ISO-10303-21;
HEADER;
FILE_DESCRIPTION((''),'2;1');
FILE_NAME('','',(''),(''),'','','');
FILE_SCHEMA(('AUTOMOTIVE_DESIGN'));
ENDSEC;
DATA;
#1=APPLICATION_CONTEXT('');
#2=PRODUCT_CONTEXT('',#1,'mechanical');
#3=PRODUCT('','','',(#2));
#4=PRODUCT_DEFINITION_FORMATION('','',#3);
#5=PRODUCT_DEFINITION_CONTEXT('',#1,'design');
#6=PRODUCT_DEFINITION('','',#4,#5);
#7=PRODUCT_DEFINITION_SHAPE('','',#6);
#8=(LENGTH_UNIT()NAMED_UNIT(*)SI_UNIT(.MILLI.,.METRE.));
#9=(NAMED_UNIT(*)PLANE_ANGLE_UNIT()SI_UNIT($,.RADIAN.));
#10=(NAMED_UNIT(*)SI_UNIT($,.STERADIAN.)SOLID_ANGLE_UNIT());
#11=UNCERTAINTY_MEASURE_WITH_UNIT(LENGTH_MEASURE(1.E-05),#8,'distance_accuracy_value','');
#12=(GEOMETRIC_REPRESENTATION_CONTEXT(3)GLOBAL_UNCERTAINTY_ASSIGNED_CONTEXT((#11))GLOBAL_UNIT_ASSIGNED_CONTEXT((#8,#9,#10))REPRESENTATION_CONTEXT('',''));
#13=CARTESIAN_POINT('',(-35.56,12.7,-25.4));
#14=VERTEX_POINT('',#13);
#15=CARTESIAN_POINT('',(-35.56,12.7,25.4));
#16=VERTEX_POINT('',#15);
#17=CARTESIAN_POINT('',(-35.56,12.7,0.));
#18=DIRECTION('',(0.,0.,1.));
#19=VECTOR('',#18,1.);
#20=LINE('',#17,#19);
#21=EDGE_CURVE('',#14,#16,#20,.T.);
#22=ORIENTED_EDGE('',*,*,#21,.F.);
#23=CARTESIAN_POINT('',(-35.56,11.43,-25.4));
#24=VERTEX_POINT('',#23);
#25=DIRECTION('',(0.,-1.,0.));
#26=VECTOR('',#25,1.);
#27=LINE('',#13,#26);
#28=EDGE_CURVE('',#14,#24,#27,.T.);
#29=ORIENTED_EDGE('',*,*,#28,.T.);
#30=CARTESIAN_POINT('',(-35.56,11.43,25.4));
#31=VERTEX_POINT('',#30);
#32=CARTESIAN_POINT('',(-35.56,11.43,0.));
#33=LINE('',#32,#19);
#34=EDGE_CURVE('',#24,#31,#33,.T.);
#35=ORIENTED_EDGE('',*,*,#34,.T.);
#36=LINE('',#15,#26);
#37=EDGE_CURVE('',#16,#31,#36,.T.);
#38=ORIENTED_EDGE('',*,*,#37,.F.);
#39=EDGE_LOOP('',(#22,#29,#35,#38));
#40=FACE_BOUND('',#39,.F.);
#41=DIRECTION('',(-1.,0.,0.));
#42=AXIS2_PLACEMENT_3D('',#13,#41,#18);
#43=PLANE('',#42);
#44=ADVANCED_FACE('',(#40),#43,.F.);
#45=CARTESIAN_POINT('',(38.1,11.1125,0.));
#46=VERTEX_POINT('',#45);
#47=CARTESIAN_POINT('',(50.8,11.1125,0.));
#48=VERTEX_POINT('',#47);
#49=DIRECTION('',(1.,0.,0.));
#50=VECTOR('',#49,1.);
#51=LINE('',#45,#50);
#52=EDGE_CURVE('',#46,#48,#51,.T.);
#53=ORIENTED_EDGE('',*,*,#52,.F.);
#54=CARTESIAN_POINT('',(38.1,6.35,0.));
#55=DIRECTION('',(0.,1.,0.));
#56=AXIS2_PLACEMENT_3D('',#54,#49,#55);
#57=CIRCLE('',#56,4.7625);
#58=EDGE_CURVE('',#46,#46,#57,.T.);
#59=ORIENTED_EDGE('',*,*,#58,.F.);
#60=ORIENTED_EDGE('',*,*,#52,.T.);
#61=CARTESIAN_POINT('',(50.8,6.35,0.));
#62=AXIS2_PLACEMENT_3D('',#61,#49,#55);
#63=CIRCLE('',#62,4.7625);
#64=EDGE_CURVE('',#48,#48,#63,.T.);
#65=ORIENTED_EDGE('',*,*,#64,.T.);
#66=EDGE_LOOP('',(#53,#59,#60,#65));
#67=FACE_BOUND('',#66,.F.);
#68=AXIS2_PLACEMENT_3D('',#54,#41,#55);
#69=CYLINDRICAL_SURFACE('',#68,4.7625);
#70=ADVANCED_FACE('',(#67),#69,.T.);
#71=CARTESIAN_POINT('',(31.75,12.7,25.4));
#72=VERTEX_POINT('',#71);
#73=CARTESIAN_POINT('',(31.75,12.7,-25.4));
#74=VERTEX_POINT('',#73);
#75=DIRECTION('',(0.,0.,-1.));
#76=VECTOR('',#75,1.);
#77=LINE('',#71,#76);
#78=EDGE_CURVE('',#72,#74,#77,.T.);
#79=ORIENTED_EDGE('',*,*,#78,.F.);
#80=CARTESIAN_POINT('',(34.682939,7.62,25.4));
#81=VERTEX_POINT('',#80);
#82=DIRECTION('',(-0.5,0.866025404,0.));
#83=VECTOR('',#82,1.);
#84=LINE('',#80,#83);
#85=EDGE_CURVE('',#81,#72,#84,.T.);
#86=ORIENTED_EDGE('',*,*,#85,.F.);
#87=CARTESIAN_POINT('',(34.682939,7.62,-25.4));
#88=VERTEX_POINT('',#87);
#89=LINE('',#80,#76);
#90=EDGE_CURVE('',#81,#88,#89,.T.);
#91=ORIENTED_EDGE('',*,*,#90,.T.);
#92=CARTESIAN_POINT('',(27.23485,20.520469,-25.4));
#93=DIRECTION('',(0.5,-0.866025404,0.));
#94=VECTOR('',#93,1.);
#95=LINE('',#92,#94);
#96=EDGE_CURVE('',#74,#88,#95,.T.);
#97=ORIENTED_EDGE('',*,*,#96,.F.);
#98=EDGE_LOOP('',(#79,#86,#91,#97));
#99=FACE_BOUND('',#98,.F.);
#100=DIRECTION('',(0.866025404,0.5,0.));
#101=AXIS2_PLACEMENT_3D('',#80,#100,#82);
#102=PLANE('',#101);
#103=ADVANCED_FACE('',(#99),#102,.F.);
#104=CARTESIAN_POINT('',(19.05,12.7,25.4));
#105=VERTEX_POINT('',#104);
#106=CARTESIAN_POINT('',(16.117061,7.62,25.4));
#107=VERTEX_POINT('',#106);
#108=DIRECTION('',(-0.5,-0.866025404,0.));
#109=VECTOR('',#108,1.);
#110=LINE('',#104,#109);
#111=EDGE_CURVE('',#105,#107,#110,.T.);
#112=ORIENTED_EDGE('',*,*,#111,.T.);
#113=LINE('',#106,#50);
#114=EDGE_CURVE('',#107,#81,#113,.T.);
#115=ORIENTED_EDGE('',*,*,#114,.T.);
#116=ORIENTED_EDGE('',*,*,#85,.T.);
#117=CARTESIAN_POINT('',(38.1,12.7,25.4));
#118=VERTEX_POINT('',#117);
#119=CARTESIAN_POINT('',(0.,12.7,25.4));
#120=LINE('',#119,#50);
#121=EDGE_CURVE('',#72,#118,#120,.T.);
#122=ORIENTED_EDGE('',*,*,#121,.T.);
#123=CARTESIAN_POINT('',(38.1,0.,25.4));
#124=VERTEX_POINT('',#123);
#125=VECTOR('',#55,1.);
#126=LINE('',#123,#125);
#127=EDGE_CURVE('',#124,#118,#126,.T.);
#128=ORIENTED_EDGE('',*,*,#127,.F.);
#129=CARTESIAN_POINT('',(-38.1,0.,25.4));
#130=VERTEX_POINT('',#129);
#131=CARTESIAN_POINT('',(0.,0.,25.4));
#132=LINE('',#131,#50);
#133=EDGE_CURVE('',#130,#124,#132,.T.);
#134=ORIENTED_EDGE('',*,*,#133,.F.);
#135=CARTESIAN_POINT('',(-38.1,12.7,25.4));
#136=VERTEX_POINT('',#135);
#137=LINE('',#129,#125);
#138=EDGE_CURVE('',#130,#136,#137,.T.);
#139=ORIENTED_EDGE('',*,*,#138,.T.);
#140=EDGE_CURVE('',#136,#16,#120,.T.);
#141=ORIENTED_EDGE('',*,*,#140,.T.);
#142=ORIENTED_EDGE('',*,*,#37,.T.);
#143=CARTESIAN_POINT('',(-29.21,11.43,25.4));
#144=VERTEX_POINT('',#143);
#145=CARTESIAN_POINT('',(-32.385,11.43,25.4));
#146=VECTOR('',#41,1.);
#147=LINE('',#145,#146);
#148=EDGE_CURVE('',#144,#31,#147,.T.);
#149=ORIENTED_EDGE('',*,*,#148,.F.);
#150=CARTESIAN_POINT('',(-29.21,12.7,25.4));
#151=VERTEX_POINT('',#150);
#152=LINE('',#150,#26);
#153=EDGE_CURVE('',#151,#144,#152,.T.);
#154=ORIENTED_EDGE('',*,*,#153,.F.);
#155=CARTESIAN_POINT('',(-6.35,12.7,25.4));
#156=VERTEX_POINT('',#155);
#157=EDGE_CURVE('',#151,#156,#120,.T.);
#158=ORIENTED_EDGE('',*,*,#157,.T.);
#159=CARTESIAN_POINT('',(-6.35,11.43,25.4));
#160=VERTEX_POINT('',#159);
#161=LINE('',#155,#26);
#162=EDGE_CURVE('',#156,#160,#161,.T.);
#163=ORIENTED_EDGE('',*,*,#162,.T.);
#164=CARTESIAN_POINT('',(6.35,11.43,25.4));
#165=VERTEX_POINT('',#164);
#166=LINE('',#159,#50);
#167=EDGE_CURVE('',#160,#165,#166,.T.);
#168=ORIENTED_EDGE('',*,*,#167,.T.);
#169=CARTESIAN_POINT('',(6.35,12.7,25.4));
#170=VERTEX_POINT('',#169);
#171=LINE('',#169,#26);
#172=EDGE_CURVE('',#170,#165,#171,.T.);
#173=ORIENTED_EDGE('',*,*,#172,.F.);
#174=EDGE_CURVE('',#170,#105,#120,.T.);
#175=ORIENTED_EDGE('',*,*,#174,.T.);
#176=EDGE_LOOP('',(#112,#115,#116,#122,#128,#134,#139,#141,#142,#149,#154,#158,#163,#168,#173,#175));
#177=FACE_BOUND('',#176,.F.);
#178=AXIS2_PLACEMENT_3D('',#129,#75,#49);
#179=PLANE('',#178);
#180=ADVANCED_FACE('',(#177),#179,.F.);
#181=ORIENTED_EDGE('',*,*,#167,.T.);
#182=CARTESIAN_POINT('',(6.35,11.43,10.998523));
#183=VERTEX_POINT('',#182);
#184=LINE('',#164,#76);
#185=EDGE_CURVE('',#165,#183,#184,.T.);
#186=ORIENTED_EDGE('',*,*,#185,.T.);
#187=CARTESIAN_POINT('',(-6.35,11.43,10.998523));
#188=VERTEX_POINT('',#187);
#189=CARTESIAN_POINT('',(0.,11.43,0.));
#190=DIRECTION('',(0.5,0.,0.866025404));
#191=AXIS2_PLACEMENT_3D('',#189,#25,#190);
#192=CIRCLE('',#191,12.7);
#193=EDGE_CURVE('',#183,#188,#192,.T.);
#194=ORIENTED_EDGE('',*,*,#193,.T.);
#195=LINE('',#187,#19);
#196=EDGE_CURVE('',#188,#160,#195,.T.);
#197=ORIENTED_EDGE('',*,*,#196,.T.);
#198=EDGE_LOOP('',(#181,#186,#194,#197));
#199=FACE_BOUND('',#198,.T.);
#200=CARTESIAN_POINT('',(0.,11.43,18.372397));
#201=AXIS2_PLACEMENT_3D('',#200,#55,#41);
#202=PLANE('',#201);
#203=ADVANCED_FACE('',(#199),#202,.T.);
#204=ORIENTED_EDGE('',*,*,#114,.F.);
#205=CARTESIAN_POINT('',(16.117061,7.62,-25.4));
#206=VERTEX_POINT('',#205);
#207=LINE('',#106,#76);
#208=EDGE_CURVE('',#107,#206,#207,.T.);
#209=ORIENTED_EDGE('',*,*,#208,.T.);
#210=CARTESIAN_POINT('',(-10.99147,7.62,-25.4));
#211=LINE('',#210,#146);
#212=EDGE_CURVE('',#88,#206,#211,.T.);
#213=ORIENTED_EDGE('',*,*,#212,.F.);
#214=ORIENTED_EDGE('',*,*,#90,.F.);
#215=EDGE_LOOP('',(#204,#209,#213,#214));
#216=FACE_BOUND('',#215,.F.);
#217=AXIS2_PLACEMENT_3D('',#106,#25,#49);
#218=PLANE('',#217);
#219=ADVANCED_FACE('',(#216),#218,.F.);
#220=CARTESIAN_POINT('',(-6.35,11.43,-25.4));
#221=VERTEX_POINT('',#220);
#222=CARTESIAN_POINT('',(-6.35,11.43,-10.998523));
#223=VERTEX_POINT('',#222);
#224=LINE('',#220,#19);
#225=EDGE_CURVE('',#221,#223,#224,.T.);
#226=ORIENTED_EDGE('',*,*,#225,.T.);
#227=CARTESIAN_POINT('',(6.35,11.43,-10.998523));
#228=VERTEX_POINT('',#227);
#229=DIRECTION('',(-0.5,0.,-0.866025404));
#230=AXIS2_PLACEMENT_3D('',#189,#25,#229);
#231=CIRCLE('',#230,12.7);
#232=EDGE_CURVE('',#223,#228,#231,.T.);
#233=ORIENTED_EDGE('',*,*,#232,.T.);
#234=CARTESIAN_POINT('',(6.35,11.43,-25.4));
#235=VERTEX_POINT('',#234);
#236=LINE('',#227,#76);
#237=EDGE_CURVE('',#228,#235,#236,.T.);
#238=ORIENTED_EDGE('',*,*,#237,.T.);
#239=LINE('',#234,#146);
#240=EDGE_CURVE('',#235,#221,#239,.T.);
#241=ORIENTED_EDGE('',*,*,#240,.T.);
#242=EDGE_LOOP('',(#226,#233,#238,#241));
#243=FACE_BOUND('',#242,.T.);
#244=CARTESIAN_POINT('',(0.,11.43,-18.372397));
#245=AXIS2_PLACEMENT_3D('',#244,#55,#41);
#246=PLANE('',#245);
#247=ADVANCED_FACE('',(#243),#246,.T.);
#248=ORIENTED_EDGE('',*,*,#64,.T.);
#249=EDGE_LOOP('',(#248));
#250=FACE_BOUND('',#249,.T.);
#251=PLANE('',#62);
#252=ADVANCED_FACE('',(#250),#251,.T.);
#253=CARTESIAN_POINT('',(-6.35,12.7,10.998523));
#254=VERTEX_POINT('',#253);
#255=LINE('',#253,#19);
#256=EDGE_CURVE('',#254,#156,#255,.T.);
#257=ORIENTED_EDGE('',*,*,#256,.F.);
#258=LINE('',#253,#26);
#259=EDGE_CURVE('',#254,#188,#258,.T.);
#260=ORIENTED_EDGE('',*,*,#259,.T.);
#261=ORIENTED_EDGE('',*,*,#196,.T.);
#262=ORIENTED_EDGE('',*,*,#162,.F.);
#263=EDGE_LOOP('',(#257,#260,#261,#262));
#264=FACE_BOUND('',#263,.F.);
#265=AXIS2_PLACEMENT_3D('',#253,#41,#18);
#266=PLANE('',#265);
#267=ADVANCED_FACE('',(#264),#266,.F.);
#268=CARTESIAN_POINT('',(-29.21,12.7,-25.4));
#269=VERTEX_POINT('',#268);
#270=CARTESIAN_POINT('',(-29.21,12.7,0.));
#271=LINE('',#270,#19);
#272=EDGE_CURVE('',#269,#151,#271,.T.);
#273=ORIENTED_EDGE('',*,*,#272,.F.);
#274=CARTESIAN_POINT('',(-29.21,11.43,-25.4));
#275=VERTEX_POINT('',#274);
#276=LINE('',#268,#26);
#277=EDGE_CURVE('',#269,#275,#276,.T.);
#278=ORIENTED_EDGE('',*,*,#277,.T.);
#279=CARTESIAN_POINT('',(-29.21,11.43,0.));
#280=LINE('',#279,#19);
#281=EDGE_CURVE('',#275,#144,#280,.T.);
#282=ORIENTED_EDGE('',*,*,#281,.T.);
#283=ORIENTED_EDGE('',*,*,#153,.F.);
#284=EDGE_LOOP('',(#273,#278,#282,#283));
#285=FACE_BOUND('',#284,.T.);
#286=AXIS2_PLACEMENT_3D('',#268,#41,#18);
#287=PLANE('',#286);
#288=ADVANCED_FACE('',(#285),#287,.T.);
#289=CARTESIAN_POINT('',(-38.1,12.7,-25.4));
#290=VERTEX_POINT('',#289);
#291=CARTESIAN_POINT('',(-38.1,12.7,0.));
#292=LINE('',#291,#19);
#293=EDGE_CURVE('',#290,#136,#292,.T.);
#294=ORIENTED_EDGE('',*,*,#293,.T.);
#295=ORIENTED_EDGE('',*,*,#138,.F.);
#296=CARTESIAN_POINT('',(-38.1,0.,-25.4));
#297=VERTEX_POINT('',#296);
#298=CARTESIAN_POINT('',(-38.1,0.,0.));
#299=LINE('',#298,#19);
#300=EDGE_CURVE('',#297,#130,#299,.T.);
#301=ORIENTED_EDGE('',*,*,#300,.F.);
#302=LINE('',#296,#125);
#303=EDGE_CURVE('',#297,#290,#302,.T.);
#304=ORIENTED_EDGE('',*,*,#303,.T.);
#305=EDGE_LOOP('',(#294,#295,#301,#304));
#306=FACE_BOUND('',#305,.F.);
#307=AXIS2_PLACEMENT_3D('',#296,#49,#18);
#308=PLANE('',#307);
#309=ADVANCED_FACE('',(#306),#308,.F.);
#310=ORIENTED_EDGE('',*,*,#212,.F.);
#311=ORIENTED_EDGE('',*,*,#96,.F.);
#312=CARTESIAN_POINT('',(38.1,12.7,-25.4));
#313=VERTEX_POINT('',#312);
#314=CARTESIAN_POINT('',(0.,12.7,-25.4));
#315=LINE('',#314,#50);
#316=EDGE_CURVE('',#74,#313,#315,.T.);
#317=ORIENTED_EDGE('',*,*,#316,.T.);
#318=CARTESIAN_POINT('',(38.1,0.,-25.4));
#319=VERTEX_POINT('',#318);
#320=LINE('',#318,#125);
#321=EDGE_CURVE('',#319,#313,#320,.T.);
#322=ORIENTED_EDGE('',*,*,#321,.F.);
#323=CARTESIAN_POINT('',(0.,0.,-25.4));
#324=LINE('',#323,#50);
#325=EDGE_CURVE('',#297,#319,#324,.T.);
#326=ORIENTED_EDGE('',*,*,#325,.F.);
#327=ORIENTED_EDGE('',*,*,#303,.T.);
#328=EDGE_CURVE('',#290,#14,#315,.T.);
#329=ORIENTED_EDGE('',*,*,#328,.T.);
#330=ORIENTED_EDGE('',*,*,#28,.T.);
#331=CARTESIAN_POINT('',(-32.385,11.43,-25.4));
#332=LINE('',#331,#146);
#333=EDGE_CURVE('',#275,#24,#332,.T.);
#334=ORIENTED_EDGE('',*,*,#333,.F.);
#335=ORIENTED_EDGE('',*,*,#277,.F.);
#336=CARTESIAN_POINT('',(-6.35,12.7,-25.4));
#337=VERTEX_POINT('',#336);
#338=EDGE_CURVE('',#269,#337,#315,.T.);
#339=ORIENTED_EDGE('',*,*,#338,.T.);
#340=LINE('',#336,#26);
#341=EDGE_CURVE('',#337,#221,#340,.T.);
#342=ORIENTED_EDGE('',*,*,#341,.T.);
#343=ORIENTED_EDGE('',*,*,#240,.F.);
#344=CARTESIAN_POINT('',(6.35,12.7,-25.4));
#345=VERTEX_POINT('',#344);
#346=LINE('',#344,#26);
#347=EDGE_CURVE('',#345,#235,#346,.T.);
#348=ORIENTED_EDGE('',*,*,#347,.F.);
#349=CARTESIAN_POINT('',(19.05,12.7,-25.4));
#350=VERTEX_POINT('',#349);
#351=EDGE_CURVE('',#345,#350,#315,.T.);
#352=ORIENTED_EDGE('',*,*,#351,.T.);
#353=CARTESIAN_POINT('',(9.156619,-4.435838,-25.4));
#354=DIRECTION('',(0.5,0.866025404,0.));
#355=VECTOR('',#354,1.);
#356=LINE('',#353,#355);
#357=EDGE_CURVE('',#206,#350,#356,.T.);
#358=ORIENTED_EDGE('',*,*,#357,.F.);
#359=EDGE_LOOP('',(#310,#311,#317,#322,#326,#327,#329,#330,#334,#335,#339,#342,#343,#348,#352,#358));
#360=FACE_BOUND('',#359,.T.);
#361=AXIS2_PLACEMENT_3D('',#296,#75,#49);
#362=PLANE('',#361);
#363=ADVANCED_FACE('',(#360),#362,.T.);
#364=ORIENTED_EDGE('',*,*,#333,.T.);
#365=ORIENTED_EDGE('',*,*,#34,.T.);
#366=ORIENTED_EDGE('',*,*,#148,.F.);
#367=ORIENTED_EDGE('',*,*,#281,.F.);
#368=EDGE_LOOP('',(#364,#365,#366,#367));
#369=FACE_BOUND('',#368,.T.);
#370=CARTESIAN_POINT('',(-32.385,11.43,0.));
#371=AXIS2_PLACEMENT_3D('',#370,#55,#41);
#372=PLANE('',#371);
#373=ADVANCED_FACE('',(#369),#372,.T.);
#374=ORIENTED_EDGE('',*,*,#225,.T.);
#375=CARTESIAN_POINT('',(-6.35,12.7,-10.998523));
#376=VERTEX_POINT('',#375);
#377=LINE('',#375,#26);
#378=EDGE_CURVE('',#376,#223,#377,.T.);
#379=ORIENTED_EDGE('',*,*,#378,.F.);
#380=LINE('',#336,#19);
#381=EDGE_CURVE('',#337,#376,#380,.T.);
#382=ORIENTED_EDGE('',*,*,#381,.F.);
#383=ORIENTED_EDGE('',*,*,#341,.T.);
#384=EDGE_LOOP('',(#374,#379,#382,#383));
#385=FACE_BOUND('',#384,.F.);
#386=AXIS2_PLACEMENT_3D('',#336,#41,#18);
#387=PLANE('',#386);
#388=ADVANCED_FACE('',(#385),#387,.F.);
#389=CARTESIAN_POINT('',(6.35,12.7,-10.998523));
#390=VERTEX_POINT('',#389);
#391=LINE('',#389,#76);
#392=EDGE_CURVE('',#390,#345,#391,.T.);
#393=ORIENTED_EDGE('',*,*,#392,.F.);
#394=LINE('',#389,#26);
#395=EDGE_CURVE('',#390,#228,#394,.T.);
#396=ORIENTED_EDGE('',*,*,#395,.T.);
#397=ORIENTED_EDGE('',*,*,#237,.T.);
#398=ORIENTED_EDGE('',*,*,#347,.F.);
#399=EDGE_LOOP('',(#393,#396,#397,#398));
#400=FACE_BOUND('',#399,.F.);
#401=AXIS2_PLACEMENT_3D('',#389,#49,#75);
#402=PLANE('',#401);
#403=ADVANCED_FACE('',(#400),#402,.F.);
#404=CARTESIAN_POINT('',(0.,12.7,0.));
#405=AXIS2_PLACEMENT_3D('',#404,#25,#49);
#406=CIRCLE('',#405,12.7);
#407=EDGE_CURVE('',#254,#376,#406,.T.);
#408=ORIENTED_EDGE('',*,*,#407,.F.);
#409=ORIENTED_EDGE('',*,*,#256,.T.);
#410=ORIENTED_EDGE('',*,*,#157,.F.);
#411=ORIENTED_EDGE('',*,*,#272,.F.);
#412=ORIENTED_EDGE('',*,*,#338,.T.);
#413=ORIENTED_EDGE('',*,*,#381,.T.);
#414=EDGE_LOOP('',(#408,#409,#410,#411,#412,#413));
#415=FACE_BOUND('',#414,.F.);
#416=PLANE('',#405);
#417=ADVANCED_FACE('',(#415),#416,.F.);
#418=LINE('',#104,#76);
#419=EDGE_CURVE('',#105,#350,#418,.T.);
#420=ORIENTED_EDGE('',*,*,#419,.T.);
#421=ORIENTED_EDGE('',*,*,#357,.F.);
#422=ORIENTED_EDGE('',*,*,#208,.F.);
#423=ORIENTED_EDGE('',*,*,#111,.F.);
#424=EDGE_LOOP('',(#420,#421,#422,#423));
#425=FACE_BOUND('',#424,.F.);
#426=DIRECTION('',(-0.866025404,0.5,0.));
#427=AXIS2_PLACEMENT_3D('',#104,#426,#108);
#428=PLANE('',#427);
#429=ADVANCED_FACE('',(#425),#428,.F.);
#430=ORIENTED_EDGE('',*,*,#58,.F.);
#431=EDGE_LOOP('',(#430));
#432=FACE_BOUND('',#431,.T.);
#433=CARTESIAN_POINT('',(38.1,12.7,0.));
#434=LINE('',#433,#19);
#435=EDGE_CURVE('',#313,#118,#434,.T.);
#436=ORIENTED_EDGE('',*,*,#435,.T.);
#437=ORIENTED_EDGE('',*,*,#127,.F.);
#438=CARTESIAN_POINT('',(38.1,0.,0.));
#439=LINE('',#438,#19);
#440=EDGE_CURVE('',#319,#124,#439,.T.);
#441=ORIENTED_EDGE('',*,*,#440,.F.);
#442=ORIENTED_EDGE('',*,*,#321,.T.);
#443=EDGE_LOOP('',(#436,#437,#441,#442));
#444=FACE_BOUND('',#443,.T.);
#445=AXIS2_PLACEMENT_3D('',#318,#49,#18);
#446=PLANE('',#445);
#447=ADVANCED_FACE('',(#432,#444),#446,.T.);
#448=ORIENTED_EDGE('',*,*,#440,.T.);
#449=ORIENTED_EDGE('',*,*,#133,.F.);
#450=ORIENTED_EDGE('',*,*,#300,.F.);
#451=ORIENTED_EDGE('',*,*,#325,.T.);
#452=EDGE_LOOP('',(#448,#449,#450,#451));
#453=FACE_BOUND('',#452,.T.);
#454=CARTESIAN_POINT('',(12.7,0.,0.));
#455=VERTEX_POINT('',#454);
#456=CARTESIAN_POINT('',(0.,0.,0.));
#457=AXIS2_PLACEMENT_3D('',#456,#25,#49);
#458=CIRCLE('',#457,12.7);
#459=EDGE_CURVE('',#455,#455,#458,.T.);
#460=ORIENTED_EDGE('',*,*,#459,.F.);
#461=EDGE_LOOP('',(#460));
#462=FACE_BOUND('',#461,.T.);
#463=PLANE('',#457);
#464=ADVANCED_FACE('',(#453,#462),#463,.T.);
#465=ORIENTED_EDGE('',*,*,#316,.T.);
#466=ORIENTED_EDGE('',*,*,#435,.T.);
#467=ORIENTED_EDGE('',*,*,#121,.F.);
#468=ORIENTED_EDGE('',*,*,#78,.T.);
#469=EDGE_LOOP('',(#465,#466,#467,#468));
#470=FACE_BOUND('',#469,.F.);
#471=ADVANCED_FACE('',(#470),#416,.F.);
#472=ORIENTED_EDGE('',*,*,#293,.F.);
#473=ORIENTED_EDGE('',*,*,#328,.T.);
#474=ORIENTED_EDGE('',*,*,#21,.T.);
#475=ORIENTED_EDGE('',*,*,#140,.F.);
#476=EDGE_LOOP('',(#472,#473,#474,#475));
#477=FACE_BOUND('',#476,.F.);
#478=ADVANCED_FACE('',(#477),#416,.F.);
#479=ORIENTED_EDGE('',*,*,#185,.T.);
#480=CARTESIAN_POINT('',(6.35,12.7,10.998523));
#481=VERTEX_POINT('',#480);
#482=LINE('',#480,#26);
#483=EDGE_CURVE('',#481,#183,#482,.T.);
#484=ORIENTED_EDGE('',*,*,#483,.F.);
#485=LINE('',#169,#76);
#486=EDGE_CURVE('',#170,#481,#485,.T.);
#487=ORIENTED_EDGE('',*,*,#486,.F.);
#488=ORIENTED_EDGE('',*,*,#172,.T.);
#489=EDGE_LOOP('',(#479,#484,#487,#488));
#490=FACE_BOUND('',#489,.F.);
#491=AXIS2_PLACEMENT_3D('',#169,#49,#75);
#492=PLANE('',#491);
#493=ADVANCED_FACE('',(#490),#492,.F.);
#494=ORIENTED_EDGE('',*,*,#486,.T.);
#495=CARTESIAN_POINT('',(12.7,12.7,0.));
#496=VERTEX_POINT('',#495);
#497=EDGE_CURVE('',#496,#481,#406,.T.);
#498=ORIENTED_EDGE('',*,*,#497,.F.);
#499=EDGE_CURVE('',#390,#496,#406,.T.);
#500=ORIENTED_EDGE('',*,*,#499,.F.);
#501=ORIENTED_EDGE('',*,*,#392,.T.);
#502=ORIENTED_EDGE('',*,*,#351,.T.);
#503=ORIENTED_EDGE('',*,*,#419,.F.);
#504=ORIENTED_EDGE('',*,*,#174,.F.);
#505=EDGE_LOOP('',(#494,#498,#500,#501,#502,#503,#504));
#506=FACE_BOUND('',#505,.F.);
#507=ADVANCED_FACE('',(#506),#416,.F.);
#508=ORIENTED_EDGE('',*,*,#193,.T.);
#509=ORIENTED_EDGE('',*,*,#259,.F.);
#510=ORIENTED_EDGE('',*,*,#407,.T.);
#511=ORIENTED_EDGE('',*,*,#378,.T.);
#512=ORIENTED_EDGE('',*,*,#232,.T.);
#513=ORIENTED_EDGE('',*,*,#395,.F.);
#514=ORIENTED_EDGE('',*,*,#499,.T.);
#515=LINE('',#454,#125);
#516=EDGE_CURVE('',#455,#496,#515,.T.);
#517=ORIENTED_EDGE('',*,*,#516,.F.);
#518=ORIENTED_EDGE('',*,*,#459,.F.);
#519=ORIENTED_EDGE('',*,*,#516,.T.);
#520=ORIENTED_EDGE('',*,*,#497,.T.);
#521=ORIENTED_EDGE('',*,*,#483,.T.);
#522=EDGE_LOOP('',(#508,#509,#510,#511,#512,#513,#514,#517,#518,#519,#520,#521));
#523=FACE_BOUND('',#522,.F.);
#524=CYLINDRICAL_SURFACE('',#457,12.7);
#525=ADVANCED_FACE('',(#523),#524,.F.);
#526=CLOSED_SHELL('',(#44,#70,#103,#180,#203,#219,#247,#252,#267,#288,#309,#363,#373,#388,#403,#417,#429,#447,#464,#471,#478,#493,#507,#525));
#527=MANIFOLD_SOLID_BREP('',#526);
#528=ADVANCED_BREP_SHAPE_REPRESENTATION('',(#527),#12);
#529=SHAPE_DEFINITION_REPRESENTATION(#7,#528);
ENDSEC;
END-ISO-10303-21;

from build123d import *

# Parameters (mm, degrees)
F0_W     = 76.2
F0_H     = 50.8
F0_R     = 12.7
F1_DEPTH = 12.7
F2_W     = 6.35
F2_H     = 50.8
F3_DEPTH = 1.27
F5_DEPTH = 50.801
F6_R     = 4.7625
F7_DEPTH = 12.7


with BuildPart() as f1:
    # F0 (on Front) → F1 (new body)
    with BuildSketch(Plane.XZ):
        Rectangle(F0_W, F0_H)
        Circle(F0_R, mode=Mode.SUBTRACT)
    extrude(amount=-F1_DEPTH)

    # F2 (on face) → F3 (cut)
    with BuildSketch(Plane(origin=(0, 12.7, 0), x_dir=(-1, 0, 0), z_dir=(0, 1, 0))):
        with Locations((32.385, 0)):
            Rectangle(F2_W, F2_H)
        with BuildLine():
            Line((6.35, 10.9985226281), (6.35, 25.4))
            Line((6.35, 25.4), (-6.35, 25.4))
            Line((-6.35, 25.4), (-6.35, 10.9985226281))
            ThreePointArc((-6.35, 10.9985226281), (0, 12.7), (6.35, 10.9985226281))
        make_face()
        with BuildLine():
            Line((-6.35, -25.4), (6.35, -25.4))
            Line((6.35, -25.4), (6.35, -10.9985226281))
            ThreePointArc((6.35, -10.9985226281), (0, -12.7), (-6.35, -10.9985226281))
            Line((-6.35, -10.9985226281), (-6.35, -25.4))
        make_face()
    extrude(amount=-F3_DEPTH, mode=Mode.SUBTRACT)

    # F4 (on face) → F5 (cut, through all)
    with BuildSketch(Plane.XY.offset(25.4)):
        Polygon((31.75, 12.7), (19.05, 12.7), (16.1170606325, 7.62), (34.6829393675, 7.62), align=None)
    extrude(amount=-F5_DEPTH, mode=Mode.SUBTRACT)

    # F6 (on face) → F7 (join)
    with BuildSketch(Plane.YZ.offset(38.1)):
        with Locations((6.35, 0)):
            Circle(F6_R)
    extrude(amount=F7_DEPTH)


solid = f1.part
